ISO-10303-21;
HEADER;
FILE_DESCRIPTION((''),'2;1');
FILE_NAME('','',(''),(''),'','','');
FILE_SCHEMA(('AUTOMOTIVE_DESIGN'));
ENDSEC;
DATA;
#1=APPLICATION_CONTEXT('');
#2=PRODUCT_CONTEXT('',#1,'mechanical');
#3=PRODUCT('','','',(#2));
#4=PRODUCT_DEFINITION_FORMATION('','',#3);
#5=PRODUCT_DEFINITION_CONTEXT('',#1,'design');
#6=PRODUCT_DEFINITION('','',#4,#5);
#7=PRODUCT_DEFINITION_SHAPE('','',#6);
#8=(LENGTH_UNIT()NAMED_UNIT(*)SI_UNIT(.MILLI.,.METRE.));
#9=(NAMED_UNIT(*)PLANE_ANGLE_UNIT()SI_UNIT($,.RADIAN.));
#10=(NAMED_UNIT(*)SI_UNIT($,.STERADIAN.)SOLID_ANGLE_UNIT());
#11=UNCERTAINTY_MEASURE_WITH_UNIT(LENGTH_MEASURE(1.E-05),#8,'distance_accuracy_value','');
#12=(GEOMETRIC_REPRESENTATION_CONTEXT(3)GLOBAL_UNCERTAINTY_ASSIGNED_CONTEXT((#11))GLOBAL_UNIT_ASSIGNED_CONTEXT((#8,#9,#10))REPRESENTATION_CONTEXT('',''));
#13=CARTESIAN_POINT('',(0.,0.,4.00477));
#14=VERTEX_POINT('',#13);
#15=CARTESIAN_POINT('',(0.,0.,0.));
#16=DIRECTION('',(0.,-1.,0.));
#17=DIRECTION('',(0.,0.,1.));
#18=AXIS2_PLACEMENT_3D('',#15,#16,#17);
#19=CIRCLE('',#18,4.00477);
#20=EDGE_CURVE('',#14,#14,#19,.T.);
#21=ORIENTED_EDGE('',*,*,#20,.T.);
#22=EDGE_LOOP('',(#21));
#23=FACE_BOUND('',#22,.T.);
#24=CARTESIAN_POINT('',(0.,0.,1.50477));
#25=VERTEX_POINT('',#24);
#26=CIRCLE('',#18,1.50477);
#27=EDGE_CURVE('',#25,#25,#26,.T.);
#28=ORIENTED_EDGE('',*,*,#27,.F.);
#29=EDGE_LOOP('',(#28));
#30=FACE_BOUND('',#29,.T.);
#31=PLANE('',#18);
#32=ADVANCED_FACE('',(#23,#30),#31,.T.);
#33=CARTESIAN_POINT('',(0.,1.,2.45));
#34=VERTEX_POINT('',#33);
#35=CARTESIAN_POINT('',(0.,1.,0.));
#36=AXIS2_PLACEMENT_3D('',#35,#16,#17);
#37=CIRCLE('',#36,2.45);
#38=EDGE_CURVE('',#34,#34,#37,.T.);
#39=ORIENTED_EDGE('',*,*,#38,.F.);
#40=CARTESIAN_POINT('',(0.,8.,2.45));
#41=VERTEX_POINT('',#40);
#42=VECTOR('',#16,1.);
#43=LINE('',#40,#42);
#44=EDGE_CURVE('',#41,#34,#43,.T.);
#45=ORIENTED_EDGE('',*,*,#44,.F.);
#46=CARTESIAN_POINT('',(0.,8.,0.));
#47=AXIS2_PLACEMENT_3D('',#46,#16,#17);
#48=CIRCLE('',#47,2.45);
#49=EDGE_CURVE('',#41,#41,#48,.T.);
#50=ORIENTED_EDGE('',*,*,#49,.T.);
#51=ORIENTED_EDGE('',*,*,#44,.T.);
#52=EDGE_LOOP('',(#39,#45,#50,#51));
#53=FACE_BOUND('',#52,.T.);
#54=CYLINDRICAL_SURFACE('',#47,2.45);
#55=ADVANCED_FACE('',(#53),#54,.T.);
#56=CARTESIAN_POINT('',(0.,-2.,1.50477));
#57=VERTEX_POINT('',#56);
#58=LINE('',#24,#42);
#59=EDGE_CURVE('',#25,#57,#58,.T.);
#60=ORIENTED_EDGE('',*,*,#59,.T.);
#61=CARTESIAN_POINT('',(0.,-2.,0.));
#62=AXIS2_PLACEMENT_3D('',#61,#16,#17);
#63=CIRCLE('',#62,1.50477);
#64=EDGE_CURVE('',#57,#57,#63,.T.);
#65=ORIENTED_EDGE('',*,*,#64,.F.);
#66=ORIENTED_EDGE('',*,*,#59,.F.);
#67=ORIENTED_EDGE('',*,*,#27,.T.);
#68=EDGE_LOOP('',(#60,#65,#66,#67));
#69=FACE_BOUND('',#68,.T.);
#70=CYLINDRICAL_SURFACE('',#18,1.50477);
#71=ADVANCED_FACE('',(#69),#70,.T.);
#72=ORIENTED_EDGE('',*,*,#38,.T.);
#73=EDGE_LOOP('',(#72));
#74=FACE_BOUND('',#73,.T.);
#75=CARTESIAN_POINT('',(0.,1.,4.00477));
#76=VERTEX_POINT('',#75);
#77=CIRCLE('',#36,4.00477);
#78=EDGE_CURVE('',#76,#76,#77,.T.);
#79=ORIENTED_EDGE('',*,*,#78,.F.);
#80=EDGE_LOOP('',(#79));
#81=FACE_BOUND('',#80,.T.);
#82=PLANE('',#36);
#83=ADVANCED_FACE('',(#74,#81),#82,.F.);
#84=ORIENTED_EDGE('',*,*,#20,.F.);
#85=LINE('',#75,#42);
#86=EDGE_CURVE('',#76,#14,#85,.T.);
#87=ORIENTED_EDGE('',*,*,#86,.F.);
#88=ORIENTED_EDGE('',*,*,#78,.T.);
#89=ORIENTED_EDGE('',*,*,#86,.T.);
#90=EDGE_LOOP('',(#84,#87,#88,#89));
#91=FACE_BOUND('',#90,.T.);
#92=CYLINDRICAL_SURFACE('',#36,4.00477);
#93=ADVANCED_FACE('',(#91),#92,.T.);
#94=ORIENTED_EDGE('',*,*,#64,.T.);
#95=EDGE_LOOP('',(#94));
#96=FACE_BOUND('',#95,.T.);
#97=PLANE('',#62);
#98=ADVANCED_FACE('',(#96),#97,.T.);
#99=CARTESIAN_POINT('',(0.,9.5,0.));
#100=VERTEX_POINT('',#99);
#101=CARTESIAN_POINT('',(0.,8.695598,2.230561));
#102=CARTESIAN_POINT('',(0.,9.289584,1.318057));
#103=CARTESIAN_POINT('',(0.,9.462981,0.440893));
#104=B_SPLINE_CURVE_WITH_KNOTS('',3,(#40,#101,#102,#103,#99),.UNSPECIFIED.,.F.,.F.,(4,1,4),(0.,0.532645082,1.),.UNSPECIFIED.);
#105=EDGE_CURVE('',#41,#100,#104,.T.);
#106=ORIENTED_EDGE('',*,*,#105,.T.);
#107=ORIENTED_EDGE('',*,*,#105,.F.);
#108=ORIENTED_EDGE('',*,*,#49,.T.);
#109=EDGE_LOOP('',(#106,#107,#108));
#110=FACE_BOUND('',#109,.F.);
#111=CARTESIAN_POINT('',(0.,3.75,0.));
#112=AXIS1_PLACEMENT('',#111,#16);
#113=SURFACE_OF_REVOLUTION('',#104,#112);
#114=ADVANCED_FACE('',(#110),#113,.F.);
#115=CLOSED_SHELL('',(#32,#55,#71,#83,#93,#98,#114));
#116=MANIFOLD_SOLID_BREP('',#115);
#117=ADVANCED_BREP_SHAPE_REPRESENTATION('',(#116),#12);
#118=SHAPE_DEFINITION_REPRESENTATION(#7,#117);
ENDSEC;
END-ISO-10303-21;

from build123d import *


with BuildPart() as f1:
    # F0 (on Right) → F1 (revolve)
    with BuildSketch(Plane.YZ):
        with BuildLine():
            Line((-2, 1.504770412), (-2, 0))
            Line((-2, 0), (9.5, 0))
            add(Edge.make_bspline(
                [(8, 2.45), (8.6955977604, 2.2305608727), (9.2895837523, 1.318056569), (9.4629809577, 0.4408934937), (9.5, 0)],
                knots=[0, 0, 0, 0, 0.532645082, 1, 1, 1, 1], degree=3))
            Line((8, 2.45), (1, 2.45))
            Line((1, 2.45), (1, 4.004770412))
            Line((1, 4.004770412), (0, 4.004770412))
            Line((0, 4.004770412), (0, 1.504770412))
            Line((0, 1.504770412), (-2, 1.504770412))
        make_face()
    revolve(axis=Axis((0, 3.75, 0), (0, -1, 0)))


solid = f1.part
